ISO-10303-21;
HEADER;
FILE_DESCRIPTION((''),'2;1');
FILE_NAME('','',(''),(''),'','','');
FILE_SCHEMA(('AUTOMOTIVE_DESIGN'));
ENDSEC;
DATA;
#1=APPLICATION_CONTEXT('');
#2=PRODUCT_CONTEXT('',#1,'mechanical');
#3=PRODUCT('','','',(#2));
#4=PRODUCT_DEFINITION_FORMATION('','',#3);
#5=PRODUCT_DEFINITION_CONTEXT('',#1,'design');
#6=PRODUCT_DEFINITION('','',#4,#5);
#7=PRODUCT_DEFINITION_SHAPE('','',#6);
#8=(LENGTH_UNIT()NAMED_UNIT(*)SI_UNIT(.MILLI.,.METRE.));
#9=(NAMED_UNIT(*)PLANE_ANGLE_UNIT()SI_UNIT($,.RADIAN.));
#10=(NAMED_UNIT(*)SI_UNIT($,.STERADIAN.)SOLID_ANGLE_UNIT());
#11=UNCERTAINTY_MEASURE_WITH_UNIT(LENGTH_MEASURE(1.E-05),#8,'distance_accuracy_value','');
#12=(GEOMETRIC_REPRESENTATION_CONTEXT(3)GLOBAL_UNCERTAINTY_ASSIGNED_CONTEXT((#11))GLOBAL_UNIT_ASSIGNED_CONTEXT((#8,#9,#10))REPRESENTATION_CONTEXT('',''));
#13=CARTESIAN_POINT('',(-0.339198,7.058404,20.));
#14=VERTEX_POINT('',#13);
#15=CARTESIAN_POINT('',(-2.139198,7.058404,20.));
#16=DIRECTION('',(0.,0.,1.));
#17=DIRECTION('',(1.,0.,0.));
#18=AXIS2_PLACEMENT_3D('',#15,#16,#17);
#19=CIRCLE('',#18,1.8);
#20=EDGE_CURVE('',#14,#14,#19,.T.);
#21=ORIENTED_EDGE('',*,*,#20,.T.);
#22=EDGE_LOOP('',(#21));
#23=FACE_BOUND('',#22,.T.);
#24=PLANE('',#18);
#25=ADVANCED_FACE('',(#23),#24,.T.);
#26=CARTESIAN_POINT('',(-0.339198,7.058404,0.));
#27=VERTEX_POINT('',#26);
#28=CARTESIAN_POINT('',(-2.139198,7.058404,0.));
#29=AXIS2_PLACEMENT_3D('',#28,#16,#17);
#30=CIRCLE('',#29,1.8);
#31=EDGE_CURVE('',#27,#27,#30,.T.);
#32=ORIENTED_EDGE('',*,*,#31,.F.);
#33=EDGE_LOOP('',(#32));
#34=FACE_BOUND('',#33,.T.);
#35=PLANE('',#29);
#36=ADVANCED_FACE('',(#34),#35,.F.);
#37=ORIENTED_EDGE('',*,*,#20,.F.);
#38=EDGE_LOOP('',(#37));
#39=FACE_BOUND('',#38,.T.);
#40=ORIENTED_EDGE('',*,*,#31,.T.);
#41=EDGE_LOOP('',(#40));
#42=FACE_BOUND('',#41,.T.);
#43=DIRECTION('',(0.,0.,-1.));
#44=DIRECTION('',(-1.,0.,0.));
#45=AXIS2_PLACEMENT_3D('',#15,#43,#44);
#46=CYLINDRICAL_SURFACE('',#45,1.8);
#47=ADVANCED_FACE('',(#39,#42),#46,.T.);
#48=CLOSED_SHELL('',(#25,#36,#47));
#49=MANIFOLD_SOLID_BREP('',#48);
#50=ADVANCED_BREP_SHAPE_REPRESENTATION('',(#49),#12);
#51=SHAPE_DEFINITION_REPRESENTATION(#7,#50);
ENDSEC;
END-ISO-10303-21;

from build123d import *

# Parameters (mm, degrees)
ESQUISSE1_R        = 1.8
BOSS_EXTRU_2_DEPTH = 20


with BuildPart() as part:
    # Esquisse1 → Boss.-Extru.2 (new body)
    with BuildSketch(Plane.XY):
        with Locations((-2.13919775, 7.058404164)):
            Circle(ESQUISSE1_R)
    extrude(amount=BOSS_EXTRU_2_DEPTH)


solid = part.part
